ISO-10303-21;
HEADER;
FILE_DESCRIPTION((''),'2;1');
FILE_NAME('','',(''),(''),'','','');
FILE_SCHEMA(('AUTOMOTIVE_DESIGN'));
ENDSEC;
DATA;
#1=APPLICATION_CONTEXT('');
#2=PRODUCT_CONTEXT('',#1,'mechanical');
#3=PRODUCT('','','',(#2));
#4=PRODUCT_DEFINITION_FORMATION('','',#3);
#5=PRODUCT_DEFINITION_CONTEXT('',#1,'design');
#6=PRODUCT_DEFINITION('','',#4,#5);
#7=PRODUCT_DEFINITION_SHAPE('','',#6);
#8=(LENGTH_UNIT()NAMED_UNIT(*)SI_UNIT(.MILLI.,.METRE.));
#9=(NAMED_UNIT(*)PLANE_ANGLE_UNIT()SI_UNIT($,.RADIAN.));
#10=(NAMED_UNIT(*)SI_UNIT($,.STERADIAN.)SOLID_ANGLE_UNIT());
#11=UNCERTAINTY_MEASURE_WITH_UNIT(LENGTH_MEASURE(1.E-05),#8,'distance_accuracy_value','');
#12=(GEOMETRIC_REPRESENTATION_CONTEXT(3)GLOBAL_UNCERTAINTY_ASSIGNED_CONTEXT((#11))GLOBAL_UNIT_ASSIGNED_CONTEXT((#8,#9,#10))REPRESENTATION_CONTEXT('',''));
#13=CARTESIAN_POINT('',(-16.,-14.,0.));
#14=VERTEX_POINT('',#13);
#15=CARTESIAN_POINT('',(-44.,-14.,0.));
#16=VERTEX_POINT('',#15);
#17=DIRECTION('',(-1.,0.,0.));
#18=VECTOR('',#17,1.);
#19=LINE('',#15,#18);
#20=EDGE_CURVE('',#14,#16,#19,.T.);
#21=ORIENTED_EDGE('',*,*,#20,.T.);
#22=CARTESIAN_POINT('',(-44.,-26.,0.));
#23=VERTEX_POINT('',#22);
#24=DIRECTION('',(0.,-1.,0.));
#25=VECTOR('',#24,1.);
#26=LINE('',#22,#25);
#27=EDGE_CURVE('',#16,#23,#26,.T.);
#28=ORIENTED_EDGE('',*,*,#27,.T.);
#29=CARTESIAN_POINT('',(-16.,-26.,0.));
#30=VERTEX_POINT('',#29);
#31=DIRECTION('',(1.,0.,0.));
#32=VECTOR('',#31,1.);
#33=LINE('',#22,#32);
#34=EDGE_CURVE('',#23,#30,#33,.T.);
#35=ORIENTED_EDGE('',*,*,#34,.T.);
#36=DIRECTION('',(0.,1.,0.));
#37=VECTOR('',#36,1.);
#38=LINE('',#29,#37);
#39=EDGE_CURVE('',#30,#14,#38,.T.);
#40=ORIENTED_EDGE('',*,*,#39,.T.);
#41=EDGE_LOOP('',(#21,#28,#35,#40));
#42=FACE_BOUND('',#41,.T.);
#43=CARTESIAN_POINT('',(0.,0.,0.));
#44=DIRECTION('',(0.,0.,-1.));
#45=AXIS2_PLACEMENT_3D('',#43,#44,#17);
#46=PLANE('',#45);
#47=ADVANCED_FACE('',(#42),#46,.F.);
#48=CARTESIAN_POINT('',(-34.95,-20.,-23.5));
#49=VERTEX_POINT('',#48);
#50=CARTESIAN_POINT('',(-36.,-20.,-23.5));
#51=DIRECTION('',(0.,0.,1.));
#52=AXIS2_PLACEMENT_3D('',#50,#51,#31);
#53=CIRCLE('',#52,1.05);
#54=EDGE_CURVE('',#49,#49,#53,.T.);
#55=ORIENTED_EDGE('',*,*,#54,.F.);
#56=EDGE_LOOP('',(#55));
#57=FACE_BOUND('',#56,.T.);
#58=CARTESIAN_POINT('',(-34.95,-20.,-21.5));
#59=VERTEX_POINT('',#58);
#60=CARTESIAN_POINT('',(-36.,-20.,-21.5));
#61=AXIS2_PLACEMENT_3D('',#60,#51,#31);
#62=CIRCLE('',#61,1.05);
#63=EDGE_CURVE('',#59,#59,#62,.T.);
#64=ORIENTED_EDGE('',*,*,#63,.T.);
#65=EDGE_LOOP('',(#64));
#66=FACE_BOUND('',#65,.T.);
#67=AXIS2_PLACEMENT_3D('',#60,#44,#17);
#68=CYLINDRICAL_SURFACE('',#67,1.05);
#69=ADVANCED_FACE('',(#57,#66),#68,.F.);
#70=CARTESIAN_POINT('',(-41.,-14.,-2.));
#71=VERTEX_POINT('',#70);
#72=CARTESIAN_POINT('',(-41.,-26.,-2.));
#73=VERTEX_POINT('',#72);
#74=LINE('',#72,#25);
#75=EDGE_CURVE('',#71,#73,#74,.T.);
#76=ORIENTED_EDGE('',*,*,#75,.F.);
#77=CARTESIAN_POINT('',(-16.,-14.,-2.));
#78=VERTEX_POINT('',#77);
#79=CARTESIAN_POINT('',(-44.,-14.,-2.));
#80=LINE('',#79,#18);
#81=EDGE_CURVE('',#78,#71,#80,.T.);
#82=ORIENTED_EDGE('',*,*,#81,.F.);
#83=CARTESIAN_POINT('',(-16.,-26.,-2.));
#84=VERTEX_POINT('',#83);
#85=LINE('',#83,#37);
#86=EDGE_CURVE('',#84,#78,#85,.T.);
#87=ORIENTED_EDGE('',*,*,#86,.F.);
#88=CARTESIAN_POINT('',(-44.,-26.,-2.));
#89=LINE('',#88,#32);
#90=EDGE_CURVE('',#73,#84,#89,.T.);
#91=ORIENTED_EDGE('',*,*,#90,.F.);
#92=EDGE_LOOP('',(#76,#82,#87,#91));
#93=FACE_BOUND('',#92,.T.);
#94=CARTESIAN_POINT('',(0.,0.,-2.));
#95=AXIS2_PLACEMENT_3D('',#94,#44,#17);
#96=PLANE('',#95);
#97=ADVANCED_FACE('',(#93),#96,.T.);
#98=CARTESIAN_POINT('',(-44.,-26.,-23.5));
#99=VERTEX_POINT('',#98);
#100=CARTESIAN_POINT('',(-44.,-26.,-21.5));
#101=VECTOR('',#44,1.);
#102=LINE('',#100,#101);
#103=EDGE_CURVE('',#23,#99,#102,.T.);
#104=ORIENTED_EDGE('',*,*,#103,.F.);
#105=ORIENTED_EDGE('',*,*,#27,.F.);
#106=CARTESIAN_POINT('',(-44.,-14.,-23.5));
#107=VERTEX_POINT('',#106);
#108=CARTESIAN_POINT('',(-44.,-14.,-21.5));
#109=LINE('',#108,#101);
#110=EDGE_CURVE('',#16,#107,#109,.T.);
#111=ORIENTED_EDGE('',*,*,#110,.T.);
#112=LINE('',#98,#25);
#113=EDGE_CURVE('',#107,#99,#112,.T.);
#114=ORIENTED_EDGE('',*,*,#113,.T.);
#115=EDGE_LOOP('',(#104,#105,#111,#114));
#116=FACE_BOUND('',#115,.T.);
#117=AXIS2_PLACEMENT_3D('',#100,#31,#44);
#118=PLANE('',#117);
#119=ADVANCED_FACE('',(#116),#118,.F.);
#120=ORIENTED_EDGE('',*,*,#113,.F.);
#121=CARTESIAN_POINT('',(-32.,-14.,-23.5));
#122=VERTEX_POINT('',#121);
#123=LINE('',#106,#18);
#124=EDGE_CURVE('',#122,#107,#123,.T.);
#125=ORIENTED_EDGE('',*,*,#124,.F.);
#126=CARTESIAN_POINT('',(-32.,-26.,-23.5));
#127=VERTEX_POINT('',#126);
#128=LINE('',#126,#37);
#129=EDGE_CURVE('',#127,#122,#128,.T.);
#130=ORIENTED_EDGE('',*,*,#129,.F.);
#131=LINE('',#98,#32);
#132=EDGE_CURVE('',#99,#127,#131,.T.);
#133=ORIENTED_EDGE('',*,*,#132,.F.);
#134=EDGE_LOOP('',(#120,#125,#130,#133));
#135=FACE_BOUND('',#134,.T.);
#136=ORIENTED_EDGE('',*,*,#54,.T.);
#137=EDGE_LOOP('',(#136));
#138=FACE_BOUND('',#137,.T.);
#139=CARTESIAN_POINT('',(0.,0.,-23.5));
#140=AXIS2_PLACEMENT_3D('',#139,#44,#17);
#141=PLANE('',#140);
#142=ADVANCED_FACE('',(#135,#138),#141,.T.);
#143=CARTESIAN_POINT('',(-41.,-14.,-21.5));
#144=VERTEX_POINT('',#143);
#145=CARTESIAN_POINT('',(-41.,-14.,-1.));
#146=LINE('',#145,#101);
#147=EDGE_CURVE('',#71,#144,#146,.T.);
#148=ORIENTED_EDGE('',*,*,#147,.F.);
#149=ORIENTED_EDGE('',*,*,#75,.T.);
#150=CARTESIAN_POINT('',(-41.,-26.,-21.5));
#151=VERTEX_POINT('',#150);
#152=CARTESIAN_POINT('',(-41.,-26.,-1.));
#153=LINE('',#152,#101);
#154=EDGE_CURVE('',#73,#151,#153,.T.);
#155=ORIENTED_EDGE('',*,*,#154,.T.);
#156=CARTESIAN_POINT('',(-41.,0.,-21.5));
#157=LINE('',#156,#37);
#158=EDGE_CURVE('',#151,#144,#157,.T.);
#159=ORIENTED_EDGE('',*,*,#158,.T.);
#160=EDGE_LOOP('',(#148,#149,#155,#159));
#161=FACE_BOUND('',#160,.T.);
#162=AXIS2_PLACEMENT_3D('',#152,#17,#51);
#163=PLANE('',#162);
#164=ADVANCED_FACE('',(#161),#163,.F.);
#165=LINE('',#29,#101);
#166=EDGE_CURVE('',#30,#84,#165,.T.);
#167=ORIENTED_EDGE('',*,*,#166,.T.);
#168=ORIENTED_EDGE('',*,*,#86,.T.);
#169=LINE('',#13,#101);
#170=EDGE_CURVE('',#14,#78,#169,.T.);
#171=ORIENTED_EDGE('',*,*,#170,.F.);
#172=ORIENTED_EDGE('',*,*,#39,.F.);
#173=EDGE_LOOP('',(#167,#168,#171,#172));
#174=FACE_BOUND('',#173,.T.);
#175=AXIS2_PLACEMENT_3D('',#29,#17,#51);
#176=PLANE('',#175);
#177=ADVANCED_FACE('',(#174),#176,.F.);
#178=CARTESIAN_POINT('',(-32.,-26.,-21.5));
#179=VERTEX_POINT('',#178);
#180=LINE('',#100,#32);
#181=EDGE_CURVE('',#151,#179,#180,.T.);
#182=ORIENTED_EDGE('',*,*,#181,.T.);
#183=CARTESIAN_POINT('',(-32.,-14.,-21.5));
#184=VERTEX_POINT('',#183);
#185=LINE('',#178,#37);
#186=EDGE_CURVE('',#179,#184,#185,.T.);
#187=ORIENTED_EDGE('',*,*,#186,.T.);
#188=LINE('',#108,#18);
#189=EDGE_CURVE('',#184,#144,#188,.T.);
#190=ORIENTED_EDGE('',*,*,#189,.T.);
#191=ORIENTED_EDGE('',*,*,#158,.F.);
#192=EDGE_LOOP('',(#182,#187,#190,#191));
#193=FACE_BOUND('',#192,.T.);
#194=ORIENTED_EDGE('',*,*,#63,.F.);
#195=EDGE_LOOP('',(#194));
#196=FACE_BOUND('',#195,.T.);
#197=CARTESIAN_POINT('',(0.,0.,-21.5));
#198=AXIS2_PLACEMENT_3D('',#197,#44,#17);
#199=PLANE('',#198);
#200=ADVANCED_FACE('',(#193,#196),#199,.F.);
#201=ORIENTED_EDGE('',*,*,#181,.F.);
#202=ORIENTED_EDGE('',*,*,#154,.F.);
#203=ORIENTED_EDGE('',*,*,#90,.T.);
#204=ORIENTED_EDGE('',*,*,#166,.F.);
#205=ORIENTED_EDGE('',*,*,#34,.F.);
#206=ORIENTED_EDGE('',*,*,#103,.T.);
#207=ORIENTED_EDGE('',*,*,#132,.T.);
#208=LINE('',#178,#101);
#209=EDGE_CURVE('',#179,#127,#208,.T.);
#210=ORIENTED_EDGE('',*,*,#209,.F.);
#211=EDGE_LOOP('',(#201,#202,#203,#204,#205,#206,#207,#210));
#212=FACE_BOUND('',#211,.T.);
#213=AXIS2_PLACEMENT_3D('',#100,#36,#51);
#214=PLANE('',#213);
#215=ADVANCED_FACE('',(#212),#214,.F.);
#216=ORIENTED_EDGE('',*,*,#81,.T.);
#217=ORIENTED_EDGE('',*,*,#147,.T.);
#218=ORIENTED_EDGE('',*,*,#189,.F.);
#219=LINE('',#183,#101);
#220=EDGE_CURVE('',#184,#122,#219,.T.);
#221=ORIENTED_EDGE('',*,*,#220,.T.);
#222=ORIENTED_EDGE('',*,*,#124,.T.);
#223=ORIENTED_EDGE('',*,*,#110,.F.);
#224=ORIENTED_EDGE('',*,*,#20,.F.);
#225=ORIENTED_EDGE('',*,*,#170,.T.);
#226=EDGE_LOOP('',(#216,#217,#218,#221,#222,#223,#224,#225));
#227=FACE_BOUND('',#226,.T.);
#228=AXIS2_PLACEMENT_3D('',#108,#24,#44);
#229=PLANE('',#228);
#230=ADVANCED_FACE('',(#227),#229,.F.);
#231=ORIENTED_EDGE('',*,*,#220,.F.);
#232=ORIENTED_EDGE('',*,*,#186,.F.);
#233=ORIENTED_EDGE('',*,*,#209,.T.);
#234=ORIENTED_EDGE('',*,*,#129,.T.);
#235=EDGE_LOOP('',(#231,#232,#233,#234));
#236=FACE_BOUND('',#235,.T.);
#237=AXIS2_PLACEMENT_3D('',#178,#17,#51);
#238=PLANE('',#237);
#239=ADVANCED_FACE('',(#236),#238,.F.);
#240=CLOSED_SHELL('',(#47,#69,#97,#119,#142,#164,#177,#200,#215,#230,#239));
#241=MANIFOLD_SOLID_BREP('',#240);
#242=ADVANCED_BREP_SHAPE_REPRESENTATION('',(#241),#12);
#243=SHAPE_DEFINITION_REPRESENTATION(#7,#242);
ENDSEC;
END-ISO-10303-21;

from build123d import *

# Parameters (mm, degrees)
LINK_EYE_SHELF_START      = -23.5
SKETCH1_W                 = 12
SKETCH1_H                 = 12
SKETCH1_R                 = 1.05
LINK_EYE_SHELF_DEPTH      = 2
OUTBOARD_WEB_START        = -22.5
SKETCH2_W                 = 3
SKETCH2_H                 = 12
OUTBOARD_WEB_DEPTH        = 21.5
CARRIAGE_PLATE_FOOT_START = -2
SKETCH3_W                 = 28
SKETCH3_H                 = 12
CARRIAGE_PLATE_FOOT_DEPTH = 2


with BuildPart() as part:
    # Sketch1 → Link_Eye_Shelf (new body)
    with BuildSketch(Plane.XY.offset(LINK_EYE_SHELF_START)):
        with Locations((-38, -20)):
            Rectangle(SKETCH1_W, SKETCH1_H)
        with Locations((-36, -20)):
            Circle(SKETCH1_R, mode=Mode.SUBTRACT)
    extrude(amount=LINK_EYE_SHELF_DEPTH)

    # Sketch2 → Outboard_Web (add)
    with BuildSketch(Plane.XY.offset(OUTBOARD_WEB_START)):
        with Locations((-42.5, -20)):
            Rectangle(SKETCH2_W, SKETCH2_H)
    extrude(amount=OUTBOARD_WEB_DEPTH)

    # Sketch3 → Carriage_Plate_Foot (add)
    with BuildSketch(Plane.XY.offset(CARRIAGE_PLATE_FOOT_START)):
        with Locations((-30, -20)):
            Rectangle(SKETCH3_W, SKETCH3_H)
    extrude(amount=CARRIAGE_PLATE_FOOT_DEPTH)


solid = part.part
